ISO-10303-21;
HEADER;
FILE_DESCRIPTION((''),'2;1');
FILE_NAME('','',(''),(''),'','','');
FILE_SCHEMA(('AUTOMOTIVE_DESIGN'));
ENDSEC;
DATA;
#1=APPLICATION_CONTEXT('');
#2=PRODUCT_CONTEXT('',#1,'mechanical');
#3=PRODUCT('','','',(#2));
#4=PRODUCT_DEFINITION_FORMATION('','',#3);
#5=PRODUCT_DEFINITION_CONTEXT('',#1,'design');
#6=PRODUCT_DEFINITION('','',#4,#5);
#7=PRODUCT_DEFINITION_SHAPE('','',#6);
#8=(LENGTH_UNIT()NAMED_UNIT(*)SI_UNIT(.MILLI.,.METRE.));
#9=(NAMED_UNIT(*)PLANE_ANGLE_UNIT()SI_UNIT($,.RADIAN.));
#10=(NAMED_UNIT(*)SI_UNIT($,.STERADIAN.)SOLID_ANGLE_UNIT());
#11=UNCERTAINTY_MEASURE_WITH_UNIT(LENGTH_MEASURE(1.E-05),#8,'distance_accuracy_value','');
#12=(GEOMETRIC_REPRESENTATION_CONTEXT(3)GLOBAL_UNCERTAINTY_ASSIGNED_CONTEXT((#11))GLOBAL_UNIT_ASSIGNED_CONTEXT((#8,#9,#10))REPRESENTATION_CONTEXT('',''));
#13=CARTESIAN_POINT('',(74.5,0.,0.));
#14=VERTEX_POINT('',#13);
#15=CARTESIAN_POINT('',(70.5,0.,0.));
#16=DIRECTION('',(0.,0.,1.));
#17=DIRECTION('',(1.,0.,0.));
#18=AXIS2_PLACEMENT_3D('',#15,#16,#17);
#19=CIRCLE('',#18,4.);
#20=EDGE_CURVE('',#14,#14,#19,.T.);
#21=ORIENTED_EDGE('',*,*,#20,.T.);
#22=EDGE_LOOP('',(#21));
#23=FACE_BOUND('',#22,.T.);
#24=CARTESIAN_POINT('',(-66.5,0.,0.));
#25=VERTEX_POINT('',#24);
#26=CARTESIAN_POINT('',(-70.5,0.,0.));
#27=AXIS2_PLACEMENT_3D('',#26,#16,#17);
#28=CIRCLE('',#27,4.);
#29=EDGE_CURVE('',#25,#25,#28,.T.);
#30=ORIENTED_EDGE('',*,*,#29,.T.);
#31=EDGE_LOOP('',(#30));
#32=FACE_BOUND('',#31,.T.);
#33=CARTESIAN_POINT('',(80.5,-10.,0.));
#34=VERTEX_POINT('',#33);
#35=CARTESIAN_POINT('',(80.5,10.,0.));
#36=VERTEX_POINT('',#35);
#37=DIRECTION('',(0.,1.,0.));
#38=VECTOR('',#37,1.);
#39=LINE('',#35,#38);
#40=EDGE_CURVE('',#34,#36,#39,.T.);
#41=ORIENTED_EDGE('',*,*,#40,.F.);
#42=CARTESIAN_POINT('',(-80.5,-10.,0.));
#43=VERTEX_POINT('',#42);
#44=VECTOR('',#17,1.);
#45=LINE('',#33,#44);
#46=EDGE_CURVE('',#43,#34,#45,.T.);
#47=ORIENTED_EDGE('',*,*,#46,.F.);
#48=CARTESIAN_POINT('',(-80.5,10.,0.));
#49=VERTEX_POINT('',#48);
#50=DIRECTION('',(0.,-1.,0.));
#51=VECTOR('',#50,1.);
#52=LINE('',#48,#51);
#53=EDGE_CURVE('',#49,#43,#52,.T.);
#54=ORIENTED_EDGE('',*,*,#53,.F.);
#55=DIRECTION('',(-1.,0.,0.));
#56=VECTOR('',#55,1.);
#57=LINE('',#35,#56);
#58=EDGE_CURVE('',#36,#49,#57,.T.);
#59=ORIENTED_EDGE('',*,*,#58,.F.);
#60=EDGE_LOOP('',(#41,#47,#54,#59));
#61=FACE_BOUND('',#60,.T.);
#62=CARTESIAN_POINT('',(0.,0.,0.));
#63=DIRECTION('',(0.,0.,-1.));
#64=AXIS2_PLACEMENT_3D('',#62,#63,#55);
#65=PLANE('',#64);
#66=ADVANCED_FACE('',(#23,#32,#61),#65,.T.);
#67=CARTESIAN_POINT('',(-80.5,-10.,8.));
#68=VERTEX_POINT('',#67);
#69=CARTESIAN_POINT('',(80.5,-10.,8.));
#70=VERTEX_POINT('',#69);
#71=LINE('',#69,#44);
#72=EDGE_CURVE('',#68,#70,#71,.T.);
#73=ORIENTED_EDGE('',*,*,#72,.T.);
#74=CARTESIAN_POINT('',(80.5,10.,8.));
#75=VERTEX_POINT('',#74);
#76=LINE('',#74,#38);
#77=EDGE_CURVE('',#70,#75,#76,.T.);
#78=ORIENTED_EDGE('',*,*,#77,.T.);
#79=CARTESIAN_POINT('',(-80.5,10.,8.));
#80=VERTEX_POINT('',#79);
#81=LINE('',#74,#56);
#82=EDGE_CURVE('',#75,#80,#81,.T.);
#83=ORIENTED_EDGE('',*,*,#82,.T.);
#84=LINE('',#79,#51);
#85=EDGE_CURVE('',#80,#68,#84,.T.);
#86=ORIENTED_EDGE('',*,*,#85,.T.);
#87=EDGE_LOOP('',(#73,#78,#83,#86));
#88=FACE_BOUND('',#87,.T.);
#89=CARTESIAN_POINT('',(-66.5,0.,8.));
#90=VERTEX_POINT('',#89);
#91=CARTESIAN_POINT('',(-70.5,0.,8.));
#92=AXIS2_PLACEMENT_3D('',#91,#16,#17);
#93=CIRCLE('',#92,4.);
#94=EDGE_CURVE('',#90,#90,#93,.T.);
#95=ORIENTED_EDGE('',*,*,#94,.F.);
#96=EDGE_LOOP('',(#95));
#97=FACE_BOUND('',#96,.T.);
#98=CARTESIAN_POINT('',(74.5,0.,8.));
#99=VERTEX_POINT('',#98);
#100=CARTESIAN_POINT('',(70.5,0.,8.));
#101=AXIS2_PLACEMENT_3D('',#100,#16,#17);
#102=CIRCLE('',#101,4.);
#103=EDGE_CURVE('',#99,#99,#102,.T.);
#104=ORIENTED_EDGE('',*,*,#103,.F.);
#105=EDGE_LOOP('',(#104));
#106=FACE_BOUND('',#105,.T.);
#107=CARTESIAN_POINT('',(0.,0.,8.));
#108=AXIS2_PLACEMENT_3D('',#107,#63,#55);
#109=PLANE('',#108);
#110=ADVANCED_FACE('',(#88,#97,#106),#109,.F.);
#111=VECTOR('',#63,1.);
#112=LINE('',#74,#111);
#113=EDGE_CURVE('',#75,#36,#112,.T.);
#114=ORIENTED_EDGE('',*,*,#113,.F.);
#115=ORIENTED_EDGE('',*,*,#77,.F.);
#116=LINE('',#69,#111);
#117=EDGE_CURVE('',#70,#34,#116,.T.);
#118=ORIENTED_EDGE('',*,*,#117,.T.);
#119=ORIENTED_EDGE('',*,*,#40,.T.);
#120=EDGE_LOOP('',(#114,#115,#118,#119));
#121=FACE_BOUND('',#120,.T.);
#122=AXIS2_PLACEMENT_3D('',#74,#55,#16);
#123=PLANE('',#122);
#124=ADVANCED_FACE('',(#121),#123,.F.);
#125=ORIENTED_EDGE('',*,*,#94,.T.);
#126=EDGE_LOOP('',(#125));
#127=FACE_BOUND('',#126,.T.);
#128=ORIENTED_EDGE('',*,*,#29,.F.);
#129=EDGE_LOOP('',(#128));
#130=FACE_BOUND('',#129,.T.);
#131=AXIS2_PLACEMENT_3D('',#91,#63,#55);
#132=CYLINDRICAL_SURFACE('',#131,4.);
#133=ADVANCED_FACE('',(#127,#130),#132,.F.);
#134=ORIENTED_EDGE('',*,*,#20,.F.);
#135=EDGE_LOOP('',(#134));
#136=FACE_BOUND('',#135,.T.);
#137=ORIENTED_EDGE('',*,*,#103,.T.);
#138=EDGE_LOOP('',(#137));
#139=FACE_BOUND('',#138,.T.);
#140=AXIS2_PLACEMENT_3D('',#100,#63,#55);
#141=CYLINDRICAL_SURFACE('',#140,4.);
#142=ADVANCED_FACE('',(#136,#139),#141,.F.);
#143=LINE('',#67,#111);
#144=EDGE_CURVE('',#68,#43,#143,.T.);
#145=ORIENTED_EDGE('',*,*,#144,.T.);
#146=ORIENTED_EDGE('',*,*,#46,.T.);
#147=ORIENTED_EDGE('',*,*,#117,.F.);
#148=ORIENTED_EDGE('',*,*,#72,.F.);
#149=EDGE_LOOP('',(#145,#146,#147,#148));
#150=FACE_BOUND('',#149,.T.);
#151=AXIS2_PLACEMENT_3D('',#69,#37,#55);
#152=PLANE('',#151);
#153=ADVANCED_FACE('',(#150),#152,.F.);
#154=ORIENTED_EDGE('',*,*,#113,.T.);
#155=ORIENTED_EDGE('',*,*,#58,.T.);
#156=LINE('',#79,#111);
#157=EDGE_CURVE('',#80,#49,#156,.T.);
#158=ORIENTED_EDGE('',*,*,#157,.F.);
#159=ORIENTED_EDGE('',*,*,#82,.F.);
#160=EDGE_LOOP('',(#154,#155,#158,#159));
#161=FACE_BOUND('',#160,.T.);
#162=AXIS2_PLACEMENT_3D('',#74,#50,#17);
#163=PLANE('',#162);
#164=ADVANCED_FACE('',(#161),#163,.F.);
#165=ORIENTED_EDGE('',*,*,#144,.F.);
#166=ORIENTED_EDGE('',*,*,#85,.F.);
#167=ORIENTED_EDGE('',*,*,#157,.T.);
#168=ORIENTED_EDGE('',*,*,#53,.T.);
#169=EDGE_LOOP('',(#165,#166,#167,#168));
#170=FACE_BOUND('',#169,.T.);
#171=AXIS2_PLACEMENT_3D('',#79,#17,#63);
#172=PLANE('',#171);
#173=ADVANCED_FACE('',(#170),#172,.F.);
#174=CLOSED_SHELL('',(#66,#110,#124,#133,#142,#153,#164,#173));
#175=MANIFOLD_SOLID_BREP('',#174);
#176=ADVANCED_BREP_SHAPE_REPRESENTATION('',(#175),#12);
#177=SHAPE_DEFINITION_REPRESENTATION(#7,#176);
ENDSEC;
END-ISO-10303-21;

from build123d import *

# Parameters (mm, degrees)
SKETCH1_W           = 161
SKETCH1_H           = 20
SKETCH1_R           = 4
BOSS_EXTRUDE1_DEPTH = 8


with BuildPart() as part:
    # Sketch1 → Boss-Extrude1 (new body)
    with BuildSketch(Plane.XY):
        Rectangle(SKETCH1_W, SKETCH1_H)
        with Locations((-70.5, 0)):
            Circle(SKETCH1_R, mode=Mode.SUBTRACT)
        with Locations((70.5, 0)):
            Circle(SKETCH1_R, mode=Mode.SUBTRACT)
    extrude(amount=BOSS_EXTRUDE1_DEPTH)


solid = part.part
